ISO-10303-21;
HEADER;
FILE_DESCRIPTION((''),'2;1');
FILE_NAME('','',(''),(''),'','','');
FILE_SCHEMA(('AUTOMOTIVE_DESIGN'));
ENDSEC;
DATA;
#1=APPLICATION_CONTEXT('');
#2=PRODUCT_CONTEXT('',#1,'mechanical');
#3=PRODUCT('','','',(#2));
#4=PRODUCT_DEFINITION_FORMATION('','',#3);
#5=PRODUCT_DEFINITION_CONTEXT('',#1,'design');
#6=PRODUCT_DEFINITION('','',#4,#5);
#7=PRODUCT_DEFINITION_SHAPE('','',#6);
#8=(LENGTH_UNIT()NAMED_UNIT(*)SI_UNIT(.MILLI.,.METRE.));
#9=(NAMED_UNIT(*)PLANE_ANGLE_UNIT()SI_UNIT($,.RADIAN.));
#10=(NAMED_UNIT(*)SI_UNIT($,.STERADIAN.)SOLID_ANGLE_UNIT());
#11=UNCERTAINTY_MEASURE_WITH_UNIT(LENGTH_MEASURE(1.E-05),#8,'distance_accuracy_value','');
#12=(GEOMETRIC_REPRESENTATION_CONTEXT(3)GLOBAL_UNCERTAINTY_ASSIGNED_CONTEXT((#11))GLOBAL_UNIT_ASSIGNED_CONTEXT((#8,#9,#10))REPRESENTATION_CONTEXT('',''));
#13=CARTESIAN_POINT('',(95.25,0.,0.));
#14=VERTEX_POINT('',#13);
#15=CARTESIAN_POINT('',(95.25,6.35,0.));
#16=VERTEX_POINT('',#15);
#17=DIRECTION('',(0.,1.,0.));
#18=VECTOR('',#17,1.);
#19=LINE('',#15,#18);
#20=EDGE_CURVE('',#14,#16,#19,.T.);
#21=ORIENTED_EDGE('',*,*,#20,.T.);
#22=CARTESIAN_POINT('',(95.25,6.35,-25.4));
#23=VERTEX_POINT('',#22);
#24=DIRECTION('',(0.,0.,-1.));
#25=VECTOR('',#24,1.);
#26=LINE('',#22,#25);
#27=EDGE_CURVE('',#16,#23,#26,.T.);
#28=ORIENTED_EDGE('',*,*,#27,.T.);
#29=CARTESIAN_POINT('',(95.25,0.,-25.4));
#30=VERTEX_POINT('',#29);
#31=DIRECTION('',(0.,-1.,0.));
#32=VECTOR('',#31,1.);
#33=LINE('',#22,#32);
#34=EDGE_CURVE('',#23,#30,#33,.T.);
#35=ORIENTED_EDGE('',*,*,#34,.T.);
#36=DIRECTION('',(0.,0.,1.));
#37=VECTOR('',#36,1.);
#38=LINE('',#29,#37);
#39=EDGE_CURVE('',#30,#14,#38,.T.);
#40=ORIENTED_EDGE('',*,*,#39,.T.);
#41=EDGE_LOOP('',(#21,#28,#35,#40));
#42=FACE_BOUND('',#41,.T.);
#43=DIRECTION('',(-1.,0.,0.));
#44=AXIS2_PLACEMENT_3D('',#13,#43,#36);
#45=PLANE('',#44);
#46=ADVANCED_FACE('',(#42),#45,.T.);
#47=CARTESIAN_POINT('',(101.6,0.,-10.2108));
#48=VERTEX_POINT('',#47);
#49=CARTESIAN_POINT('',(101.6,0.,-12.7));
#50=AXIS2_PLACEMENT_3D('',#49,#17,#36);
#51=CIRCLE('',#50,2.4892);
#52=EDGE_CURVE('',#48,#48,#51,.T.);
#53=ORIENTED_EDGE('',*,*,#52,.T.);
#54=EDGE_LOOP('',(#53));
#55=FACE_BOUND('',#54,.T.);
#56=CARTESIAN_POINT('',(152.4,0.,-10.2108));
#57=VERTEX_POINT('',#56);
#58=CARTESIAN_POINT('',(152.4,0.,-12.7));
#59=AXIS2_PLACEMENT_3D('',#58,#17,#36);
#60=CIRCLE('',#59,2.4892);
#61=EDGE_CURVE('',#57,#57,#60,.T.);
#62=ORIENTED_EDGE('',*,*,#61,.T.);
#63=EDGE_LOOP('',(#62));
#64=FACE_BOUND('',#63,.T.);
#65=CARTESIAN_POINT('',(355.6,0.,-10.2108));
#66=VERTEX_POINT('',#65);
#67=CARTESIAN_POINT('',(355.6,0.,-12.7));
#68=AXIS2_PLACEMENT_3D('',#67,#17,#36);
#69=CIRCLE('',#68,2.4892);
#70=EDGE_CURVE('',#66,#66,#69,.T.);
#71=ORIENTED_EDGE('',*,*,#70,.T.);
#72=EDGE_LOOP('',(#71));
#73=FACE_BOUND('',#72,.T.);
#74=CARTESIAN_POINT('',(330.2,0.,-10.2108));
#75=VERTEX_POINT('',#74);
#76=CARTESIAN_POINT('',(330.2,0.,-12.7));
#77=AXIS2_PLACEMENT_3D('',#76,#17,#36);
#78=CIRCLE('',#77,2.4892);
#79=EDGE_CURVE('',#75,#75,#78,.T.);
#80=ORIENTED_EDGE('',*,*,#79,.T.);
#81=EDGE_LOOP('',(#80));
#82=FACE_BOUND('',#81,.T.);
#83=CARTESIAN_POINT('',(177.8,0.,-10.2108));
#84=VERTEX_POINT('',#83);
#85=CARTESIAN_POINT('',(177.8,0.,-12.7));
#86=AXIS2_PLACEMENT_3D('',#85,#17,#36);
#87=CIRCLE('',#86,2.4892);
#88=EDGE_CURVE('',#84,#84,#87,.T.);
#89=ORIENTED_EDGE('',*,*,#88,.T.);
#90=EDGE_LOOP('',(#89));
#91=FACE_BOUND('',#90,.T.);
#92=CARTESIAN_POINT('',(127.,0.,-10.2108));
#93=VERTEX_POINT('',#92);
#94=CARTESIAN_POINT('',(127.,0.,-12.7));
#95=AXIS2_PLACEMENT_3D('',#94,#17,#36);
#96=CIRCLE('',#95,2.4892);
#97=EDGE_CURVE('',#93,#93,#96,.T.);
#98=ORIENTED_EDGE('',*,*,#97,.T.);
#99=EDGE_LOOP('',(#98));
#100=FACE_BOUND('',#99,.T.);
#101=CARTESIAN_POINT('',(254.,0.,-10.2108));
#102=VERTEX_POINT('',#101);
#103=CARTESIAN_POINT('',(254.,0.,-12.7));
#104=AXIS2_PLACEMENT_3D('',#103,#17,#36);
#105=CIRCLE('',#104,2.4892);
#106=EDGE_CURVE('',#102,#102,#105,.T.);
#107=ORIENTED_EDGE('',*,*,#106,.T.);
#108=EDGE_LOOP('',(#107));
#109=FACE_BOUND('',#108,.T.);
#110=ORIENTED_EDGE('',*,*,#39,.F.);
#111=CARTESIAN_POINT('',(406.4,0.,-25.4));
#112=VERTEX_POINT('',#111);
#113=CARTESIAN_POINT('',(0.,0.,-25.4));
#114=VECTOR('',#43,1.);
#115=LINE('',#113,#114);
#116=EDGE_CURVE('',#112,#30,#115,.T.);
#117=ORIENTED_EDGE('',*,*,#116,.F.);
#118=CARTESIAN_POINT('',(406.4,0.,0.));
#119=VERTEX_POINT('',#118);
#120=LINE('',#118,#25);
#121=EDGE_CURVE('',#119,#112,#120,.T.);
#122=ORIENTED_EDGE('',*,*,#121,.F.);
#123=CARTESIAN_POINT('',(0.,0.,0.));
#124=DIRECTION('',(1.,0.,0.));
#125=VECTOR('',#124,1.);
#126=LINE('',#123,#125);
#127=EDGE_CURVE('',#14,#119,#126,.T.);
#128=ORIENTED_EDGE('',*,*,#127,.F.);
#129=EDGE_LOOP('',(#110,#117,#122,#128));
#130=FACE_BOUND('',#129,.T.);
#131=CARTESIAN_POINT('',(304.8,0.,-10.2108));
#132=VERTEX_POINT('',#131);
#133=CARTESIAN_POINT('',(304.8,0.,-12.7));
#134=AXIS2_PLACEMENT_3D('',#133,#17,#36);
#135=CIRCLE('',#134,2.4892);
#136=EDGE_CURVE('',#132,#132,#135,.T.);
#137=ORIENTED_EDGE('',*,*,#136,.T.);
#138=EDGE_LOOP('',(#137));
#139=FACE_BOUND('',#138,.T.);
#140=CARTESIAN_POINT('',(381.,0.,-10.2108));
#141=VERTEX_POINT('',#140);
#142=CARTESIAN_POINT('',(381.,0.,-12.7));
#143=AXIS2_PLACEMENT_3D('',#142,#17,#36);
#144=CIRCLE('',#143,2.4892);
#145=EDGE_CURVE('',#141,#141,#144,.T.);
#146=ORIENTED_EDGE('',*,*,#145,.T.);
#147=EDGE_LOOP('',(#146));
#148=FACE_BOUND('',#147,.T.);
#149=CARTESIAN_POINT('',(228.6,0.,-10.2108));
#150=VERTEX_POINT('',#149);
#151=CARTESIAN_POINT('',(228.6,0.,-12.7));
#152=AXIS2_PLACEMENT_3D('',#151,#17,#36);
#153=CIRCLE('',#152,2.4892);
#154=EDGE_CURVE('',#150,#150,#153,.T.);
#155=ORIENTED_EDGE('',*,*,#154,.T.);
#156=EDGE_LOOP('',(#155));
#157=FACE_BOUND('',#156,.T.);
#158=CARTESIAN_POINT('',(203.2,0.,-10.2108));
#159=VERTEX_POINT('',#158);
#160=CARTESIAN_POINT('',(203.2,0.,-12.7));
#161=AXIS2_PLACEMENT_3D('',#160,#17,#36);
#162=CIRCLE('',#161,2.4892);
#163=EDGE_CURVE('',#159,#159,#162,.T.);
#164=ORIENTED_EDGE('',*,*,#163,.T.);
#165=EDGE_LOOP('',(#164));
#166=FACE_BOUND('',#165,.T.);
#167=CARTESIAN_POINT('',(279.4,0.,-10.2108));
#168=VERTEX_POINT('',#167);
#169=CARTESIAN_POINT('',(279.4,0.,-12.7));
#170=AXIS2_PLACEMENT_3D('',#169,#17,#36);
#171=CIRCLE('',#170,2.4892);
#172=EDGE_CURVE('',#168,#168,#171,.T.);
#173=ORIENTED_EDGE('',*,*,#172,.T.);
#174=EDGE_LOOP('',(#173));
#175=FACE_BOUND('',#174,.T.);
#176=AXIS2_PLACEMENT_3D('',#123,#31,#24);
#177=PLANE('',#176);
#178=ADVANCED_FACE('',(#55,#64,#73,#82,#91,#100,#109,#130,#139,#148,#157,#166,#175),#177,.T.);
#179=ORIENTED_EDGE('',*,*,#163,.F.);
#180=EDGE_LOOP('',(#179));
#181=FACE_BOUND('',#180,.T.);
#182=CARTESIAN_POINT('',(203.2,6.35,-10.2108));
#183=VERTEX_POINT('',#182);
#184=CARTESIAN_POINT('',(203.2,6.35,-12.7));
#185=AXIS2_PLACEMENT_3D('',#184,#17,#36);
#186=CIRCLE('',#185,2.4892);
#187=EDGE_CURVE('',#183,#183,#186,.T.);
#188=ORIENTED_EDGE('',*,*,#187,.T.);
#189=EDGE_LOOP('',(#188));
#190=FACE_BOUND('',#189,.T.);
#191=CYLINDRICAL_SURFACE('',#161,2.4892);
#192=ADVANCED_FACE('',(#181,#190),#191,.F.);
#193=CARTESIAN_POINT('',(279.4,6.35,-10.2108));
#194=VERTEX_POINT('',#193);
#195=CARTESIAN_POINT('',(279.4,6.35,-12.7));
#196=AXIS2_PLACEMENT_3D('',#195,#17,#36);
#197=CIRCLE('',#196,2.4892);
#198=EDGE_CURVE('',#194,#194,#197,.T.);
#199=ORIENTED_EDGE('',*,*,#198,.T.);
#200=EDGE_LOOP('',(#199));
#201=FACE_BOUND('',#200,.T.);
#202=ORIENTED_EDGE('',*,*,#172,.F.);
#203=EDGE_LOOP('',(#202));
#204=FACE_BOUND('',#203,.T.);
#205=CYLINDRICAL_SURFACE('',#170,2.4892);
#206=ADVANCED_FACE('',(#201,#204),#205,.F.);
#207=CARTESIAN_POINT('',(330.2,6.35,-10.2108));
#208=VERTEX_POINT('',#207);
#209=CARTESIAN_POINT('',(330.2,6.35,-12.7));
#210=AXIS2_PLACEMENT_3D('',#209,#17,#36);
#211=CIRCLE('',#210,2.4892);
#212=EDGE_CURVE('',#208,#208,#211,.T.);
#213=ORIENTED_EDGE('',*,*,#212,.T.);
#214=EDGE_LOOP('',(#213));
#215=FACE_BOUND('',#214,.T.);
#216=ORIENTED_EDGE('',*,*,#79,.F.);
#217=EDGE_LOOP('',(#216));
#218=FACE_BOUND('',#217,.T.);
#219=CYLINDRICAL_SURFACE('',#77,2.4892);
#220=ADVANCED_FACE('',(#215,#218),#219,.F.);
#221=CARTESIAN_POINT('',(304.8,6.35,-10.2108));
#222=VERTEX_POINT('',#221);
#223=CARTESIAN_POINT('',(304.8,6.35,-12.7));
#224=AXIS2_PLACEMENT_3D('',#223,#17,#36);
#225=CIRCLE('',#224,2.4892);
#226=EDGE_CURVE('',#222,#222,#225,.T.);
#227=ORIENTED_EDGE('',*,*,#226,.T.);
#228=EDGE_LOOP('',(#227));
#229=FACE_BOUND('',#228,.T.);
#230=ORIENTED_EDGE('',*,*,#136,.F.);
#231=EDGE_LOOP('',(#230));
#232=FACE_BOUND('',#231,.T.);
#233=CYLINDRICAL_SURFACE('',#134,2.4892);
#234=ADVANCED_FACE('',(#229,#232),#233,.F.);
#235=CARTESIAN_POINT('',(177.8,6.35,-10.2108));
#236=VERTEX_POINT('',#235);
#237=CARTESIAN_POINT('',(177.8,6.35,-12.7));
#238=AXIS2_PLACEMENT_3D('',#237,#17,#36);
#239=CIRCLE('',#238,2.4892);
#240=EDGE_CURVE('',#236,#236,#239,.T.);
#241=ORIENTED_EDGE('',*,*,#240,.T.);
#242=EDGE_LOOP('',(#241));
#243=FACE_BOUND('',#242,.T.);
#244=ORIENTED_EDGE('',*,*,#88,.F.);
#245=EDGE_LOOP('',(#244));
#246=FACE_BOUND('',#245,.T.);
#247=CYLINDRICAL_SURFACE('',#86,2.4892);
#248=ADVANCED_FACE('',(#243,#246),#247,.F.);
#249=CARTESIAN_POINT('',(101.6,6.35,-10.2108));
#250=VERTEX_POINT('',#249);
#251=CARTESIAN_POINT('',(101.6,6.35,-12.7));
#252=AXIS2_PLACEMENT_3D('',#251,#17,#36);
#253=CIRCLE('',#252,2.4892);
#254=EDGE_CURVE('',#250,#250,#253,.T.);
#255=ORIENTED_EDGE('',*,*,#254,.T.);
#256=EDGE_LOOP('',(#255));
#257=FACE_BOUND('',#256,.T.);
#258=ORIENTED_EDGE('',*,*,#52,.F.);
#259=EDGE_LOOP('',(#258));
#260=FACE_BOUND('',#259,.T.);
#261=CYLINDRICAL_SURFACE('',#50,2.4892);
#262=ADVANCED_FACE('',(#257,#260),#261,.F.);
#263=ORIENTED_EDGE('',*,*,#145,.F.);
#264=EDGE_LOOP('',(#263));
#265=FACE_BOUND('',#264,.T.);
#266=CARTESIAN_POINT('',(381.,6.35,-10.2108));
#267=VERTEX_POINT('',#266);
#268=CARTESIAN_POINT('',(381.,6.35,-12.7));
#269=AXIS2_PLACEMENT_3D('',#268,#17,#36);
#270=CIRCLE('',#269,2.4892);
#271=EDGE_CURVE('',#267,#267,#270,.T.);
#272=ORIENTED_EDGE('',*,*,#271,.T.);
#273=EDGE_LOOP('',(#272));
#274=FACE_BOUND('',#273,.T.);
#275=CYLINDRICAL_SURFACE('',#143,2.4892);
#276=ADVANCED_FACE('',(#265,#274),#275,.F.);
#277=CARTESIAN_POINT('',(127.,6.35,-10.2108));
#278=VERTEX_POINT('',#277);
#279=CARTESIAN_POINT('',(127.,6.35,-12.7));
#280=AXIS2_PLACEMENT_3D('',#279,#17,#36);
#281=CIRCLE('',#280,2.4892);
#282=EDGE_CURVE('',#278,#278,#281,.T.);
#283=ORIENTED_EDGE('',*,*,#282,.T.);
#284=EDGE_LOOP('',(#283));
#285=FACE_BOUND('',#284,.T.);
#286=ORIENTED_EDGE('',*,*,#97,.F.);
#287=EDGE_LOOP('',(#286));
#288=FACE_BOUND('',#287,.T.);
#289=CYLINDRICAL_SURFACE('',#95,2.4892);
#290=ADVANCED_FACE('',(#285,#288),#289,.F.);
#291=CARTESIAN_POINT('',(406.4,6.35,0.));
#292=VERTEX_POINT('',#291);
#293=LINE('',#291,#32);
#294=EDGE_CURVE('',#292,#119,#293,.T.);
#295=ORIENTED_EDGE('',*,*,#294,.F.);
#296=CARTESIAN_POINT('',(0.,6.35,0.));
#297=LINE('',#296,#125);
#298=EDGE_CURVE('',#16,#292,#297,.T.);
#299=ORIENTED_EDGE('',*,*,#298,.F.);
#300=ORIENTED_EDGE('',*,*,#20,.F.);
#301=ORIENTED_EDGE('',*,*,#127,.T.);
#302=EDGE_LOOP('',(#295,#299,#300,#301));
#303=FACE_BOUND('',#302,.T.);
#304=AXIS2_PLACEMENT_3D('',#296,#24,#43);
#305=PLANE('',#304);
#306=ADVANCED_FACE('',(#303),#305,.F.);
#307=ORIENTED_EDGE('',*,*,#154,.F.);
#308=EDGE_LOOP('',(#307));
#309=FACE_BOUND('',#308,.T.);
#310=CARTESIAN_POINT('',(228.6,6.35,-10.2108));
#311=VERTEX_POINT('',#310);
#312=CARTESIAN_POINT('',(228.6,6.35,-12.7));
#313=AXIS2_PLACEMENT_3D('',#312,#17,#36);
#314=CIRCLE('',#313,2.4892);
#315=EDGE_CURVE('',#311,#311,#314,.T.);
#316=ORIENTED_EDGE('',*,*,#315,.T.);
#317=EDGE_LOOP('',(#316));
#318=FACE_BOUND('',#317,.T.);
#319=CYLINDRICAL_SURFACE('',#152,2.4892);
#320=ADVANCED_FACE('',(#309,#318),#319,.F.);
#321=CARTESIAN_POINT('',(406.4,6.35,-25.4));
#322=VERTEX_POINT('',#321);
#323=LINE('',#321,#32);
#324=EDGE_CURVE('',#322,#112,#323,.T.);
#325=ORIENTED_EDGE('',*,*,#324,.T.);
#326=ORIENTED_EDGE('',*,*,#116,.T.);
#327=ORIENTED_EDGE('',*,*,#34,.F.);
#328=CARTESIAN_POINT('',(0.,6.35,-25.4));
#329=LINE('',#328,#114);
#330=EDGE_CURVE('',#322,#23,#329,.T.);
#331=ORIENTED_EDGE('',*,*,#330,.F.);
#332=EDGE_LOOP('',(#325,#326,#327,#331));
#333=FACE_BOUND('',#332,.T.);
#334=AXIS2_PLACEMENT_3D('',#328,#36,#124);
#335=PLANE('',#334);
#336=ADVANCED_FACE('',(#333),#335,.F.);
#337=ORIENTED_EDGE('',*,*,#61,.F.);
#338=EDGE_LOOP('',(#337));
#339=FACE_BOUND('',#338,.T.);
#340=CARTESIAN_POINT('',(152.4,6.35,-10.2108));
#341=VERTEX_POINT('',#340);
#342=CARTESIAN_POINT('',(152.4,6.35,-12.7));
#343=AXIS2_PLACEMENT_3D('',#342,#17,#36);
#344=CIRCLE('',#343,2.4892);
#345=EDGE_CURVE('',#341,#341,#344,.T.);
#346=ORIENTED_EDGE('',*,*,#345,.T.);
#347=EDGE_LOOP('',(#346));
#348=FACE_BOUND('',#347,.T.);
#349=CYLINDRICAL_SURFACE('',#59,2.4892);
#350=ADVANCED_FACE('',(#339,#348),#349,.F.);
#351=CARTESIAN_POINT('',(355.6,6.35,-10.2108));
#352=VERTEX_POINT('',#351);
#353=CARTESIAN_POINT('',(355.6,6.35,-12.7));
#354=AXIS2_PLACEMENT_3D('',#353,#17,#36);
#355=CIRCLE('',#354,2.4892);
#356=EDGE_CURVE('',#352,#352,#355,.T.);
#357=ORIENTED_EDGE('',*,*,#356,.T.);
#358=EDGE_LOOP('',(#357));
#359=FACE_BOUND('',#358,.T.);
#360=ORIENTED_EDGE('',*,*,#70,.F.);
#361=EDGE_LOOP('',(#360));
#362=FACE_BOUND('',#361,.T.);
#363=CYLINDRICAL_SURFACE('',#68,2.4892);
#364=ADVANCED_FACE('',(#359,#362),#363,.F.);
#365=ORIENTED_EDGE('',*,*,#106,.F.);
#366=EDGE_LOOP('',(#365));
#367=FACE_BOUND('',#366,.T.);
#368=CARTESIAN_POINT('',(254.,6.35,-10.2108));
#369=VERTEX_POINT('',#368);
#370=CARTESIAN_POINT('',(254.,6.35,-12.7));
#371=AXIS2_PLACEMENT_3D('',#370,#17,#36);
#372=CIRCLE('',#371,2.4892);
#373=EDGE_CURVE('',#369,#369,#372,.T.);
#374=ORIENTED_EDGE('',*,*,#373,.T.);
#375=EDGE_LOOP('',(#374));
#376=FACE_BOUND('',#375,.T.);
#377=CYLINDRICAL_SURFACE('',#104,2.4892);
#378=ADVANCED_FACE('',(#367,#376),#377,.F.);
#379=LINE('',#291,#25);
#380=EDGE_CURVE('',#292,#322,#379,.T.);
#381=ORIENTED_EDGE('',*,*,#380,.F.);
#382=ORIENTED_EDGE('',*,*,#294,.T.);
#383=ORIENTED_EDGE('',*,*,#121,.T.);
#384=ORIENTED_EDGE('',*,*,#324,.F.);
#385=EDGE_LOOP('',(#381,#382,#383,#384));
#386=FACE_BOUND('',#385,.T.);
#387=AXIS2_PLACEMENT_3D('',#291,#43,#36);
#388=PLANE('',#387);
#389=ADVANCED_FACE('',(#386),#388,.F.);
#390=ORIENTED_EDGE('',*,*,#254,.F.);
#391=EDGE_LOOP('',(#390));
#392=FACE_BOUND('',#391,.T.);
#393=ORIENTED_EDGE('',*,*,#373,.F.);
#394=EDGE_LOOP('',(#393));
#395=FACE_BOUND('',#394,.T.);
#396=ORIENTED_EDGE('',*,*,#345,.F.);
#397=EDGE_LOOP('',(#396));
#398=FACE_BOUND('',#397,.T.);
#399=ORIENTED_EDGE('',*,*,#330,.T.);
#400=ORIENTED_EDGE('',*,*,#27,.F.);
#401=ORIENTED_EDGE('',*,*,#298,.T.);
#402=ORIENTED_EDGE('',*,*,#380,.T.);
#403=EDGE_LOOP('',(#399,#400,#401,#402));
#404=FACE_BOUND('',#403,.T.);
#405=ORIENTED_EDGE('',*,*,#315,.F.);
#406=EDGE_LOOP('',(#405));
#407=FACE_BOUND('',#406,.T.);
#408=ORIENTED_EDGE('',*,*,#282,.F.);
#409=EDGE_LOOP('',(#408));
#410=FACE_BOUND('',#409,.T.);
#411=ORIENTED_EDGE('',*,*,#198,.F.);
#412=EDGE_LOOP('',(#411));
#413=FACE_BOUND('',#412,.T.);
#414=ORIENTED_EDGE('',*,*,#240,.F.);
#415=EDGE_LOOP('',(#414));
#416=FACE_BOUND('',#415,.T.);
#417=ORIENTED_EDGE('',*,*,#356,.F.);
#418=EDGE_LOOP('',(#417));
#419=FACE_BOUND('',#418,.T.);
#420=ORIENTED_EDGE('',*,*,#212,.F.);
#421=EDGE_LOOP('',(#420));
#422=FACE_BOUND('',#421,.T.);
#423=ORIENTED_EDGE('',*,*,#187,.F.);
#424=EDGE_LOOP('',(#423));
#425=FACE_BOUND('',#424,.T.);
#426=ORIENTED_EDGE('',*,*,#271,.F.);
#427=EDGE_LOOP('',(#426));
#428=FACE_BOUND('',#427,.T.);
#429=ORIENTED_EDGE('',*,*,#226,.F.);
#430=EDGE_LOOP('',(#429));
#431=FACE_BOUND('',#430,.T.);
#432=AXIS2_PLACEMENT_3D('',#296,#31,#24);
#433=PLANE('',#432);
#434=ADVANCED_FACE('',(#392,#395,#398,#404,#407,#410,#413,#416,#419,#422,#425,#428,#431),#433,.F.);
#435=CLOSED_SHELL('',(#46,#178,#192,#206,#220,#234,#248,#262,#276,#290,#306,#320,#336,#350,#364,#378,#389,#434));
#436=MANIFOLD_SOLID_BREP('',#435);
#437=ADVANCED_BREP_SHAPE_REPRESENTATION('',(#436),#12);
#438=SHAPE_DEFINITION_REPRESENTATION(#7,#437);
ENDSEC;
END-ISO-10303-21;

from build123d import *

# Parameters (mm, degrees)
SKETCH1_W               = 406.4
SKETCH1_H               = 25.4
BOSS_EXTRUDE1_DEPTH     = 6.35
SKETCH2_R               = 2.4892
CUT_EXTRUDE1_DEPTH      = 1
CUT_EXTRUDE1_DEPTH_BACK = 7.35
SKETCH3_R               = 2.378070279
SKETCH3_R_2             = 2.20737703
CUT_EXTRUDE2_DEPTH      = 7.35
SKETCH4_W               = 25.4
SKETCH4_H               = 6.35
CUT_EXTRUDE3_DEPTH      = 95.25


with BuildPart() as part:
    # Sketch1 → Boss-Extrude1 (new body)
    with BuildSketch(Plane(origin=(0, 0, 0), x_dir=(1, 0, 0), z_dir=(0, 1, 0))):
        with Locations((203.2, 12.7)):
            Rectangle(SKETCH1_W, SKETCH1_H)
    extrude(amount=BOSS_EXTRUDE1_DEPTH)

    # Sketch2 → Cut-Extrude1 (cut, two sides)
    with BuildSketch(Plane(origin=(0, 6.35, 0), x_dir=(1, 0, 0), z_dir=(0, 1, 0))) as cut_extrude1_sk:
        with Locations((381, 12.7)):
            Circle(SKETCH2_R)
        with Locations((355.6, 12.7)):
            Circle(SKETCH2_R)
        with Locations((330.2, 12.7)):
            Circle(SKETCH2_R)
        with Locations((304.8, 12.7)):
            Circle(SKETCH2_R)
        with Locations((279.4, 12.7)):
            Circle(SKETCH2_R)
        with Locations((254, 12.7)):
            Circle(SKETCH2_R)
        with Locations((228.6, 12.7)):
            Circle(SKETCH2_R)
        with Locations((203.2, 12.7)):
            Circle(SKETCH2_R)
        with Locations((177.8, 12.7)):
            Circle(SKETCH2_R)
        with Locations((152.4, 12.7)):
            Circle(SKETCH2_R)
        with Locations((127, 12.7)):
            Circle(SKETCH2_R)
        with Locations((101.6, 12.7)):
            Circle(SKETCH2_R)
    extrude(amount=CUT_EXTRUDE1_DEPTH, mode=Mode.SUBTRACT)
    extrude(cut_extrude1_sk.sketch, amount=-CUT_EXTRUDE1_DEPTH_BACK, mode=Mode.SUBTRACT)

    # Sketch3 → Cut-Extrude2 (cut, through all)
    with BuildSketch(Plane.XZ):
        with Locations((63.5, -12.7)):
            Circle(SKETCH3_R)
        with Locations((38.1, -12.7)):
            Circle(SKETCH3_R_2)
    extrude(amount=-CUT_EXTRUDE2_DEPTH, mode=Mode.SUBTRACT)

    # Sketch4 → Cut-Extrude3 (cut)
    with BuildSketch(Plane.ZY):
        with Locations((-12.7, 3.175)):
            Rectangle(SKETCH4_W, SKETCH4_H)
    extrude(amount=-CUT_EXTRUDE3_DEPTH, mode=Mode.SUBTRACT)


solid = part.part
